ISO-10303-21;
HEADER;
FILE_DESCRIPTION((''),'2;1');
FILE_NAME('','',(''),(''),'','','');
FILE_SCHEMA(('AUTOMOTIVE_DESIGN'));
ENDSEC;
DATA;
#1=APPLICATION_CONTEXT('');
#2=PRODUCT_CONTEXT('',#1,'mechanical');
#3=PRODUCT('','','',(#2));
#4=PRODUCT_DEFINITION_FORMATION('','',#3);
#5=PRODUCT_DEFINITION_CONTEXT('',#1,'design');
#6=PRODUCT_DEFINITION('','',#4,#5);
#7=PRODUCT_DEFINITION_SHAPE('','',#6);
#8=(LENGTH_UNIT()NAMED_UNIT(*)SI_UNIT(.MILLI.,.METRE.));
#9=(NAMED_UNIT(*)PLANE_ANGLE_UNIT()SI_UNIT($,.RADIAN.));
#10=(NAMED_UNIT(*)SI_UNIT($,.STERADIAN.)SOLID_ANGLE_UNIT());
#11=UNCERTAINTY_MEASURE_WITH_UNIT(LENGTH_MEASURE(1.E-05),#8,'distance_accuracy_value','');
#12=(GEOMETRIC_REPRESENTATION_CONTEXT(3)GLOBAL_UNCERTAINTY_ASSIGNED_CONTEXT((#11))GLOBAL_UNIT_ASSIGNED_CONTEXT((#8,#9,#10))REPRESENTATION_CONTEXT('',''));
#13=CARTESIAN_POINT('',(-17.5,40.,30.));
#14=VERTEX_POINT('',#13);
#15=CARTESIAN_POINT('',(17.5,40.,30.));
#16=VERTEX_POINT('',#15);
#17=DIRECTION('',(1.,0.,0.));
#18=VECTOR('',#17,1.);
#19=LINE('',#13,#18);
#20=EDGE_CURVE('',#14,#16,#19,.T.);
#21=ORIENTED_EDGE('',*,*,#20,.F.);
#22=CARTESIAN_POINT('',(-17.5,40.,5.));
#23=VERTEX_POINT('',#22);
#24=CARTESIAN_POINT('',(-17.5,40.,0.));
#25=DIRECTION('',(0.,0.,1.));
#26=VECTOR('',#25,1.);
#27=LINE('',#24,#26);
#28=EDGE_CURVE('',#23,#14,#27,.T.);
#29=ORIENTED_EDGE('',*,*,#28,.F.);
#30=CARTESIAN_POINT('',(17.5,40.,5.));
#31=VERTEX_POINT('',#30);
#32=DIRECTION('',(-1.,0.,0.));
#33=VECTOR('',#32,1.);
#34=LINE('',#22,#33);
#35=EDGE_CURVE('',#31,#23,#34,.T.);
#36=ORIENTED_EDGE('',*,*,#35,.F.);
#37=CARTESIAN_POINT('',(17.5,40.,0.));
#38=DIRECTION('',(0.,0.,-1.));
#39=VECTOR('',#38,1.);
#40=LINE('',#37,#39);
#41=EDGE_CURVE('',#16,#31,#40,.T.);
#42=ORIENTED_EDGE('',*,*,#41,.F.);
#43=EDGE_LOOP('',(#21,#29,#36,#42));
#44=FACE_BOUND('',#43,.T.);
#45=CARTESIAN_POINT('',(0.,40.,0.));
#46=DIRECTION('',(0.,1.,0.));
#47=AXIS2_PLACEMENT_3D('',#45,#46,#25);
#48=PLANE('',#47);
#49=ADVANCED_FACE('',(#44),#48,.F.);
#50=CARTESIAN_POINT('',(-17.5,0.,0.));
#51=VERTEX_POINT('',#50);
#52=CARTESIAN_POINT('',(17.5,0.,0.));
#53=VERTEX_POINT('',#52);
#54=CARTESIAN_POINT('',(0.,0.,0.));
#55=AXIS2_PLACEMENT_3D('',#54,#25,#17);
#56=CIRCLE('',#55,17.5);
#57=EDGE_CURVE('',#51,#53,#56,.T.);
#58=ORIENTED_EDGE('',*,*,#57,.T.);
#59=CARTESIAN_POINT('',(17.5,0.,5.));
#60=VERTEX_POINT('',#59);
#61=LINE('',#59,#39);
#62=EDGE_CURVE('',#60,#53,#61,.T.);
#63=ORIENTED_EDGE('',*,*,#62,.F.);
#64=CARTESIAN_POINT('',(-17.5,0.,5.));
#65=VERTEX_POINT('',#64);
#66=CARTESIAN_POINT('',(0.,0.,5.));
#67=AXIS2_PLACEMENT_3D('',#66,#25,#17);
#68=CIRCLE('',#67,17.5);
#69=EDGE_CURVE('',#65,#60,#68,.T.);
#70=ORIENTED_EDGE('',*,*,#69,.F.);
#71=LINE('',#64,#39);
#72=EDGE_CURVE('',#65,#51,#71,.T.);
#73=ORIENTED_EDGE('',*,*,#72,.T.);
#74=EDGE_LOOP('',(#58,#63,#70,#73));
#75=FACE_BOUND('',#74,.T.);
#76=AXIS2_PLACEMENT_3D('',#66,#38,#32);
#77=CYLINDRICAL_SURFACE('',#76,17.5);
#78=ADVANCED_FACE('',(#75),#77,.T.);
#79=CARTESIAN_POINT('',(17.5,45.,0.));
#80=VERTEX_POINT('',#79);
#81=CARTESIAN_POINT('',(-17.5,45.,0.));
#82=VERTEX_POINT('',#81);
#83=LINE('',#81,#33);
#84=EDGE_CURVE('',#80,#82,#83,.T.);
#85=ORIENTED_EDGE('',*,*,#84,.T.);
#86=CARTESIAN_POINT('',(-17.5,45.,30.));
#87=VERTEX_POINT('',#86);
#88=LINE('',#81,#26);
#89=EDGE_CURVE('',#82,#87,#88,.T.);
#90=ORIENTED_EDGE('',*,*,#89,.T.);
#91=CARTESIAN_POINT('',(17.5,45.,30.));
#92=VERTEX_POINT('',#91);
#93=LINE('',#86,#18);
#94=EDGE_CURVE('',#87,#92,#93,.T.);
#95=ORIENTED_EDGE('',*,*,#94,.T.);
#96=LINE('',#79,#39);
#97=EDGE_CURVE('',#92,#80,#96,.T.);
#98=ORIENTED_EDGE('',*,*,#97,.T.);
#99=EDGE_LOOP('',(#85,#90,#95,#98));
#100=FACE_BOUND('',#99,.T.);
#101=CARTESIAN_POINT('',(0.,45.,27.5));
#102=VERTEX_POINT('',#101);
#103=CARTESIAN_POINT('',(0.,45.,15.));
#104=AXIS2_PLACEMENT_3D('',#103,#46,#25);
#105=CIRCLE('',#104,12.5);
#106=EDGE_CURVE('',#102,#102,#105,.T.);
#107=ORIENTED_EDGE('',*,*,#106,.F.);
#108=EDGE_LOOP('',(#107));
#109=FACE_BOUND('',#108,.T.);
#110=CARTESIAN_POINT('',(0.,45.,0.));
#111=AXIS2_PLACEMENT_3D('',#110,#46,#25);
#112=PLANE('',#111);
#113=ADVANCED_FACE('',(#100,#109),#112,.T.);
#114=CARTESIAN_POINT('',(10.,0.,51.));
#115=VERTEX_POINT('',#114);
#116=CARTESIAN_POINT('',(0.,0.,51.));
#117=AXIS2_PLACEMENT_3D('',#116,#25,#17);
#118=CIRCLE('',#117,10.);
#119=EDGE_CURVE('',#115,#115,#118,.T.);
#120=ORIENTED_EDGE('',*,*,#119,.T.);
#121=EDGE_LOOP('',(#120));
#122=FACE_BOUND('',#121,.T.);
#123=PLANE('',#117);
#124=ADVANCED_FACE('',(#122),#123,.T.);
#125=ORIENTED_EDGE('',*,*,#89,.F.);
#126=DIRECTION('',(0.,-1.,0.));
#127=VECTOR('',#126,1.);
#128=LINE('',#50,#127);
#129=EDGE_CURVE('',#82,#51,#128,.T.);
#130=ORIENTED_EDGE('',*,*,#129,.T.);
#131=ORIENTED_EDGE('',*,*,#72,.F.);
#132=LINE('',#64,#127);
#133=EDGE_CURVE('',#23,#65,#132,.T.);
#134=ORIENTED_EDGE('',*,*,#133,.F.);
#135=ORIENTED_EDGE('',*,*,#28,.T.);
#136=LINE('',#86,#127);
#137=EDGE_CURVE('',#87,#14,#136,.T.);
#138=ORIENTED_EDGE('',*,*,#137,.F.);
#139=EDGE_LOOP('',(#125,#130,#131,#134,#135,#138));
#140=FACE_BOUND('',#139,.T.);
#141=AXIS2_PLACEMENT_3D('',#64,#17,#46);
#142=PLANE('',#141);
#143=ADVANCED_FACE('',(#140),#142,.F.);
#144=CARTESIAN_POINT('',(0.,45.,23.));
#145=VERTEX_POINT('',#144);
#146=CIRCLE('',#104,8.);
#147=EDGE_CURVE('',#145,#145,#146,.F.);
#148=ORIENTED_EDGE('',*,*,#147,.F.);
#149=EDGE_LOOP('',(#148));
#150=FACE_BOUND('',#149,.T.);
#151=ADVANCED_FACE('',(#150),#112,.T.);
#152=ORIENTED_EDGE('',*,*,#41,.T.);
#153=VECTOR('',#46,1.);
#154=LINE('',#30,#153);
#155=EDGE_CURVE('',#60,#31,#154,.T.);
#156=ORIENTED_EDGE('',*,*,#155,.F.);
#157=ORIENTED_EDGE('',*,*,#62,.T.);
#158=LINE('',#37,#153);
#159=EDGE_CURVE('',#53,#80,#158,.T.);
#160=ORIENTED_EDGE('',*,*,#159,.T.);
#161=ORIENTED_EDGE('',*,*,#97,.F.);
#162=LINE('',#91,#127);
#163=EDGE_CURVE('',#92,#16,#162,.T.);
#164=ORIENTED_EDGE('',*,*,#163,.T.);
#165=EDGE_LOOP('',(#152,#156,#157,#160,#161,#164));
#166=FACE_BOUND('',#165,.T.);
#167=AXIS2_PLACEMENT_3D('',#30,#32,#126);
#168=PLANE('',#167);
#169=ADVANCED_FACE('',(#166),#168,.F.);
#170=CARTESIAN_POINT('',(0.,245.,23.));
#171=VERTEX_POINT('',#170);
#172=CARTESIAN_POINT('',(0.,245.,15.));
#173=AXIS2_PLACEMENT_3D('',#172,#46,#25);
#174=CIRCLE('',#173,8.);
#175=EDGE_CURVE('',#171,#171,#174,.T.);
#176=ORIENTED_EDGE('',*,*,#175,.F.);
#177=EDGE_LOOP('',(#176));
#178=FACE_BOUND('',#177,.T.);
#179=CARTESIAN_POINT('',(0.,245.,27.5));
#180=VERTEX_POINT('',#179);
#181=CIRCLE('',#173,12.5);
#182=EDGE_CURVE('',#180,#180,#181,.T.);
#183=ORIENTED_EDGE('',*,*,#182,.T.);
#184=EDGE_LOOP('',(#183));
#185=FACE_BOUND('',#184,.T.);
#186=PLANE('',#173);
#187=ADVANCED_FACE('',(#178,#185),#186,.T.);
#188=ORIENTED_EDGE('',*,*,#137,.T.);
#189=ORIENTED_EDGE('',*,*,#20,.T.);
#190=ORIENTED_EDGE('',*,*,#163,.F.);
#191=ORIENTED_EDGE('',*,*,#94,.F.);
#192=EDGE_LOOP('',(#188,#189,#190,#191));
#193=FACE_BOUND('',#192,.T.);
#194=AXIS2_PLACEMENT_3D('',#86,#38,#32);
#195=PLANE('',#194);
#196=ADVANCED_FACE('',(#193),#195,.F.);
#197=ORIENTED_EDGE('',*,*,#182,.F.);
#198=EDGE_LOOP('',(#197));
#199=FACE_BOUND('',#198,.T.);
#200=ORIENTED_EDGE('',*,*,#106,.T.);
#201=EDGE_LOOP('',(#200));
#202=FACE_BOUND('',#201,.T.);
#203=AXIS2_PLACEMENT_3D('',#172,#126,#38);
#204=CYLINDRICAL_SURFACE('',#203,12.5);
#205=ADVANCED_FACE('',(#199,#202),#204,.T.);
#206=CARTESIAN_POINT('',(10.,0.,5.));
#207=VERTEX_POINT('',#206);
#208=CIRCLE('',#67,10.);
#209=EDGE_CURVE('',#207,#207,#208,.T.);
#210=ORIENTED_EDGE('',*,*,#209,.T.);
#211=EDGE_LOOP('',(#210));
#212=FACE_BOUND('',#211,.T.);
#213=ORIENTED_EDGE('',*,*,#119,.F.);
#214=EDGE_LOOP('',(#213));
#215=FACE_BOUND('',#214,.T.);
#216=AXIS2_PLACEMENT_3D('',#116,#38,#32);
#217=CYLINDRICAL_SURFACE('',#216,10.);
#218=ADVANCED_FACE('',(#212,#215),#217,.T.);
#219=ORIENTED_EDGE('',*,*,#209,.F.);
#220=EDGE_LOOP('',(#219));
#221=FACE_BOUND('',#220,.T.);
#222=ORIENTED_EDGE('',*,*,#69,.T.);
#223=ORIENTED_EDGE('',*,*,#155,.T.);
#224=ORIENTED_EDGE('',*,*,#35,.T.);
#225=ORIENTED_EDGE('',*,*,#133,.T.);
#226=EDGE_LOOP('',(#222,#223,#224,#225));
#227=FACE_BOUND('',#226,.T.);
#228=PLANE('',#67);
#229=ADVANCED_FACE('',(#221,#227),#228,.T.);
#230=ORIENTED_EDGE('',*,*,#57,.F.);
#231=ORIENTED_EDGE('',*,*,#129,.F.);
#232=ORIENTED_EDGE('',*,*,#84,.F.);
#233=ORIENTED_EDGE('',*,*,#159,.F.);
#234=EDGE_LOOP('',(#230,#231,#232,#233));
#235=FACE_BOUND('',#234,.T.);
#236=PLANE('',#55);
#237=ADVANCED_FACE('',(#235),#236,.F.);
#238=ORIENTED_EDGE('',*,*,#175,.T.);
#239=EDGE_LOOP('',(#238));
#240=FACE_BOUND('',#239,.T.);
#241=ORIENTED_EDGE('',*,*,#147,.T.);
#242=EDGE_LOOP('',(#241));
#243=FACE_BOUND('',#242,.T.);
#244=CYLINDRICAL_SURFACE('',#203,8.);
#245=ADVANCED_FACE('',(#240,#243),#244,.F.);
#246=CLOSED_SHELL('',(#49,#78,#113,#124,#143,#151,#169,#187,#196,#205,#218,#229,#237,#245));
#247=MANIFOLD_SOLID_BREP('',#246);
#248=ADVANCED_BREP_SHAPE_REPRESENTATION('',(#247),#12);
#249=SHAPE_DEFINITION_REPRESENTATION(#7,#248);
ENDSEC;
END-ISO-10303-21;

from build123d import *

# Parameters (mm, degrees)
EXTRUDE_1_DEPTH = 5
SKETCH_2_R      = 10
EXTRUDE_2_DEPTH = 46
SKETCH_4_W      = 35
SKETCH_4_H      = 30
EXTRUDE_3_DEPTH = 5
SKETCH_5_R      = 12.5
SKETCH_5_R_2    = 8
EXTRUDE_4_DEPTH = 200


with BuildPart() as part:
    # 草图1 → 凸台-拉伸1 (new body)
    with BuildSketch(Plane.XY):
        with BuildLine():
            Line((-17.5, 0), (-17.5, 40))
            Line((-17.5, 40), (17.5, 40))
            Line((17.5, 40), (17.5, 0))
            ThreePointArc((17.5, 0), (0, -17.5), (-17.5, 0))
        make_face()
    extrude(amount=EXTRUDE_1_DEPTH)

    # 草图2 → 凸台-拉伸2 (add)
    with BuildSketch(Plane.XY.offset(5)):
        Circle(SKETCH_2_R)
    extrude(amount=EXTRUDE_2_DEPTH)

    # 草图4 → 凸台-拉伸3 (add)
    with BuildSketch(Plane(origin=(0, 40, 0), x_dir=(1, 0, 0), z_dir=(0, 1, 0))):
        with Locations((0, -15)):
            Rectangle(SKETCH_4_W, SKETCH_4_H)
    extrude(amount=EXTRUDE_3_DEPTH)

    # 草图5 → 凸台-拉伸4 (add)
    with BuildSketch(Plane(origin=(0, 45, 0), x_dir=(1, 0, 0), z_dir=(0, 1, 0))):
        with Locations(Location((0, -15, 0), (0, 0, 270))):
            Circle(SKETCH_5_R)
        with Locations(Location((0, -15, 0), (0, 0, 270))):
            Circle(SKETCH_5_R_2, mode=Mode.SUBTRACT)
    extrude(amount=EXTRUDE_4_DEPTH)


solid = part.part
